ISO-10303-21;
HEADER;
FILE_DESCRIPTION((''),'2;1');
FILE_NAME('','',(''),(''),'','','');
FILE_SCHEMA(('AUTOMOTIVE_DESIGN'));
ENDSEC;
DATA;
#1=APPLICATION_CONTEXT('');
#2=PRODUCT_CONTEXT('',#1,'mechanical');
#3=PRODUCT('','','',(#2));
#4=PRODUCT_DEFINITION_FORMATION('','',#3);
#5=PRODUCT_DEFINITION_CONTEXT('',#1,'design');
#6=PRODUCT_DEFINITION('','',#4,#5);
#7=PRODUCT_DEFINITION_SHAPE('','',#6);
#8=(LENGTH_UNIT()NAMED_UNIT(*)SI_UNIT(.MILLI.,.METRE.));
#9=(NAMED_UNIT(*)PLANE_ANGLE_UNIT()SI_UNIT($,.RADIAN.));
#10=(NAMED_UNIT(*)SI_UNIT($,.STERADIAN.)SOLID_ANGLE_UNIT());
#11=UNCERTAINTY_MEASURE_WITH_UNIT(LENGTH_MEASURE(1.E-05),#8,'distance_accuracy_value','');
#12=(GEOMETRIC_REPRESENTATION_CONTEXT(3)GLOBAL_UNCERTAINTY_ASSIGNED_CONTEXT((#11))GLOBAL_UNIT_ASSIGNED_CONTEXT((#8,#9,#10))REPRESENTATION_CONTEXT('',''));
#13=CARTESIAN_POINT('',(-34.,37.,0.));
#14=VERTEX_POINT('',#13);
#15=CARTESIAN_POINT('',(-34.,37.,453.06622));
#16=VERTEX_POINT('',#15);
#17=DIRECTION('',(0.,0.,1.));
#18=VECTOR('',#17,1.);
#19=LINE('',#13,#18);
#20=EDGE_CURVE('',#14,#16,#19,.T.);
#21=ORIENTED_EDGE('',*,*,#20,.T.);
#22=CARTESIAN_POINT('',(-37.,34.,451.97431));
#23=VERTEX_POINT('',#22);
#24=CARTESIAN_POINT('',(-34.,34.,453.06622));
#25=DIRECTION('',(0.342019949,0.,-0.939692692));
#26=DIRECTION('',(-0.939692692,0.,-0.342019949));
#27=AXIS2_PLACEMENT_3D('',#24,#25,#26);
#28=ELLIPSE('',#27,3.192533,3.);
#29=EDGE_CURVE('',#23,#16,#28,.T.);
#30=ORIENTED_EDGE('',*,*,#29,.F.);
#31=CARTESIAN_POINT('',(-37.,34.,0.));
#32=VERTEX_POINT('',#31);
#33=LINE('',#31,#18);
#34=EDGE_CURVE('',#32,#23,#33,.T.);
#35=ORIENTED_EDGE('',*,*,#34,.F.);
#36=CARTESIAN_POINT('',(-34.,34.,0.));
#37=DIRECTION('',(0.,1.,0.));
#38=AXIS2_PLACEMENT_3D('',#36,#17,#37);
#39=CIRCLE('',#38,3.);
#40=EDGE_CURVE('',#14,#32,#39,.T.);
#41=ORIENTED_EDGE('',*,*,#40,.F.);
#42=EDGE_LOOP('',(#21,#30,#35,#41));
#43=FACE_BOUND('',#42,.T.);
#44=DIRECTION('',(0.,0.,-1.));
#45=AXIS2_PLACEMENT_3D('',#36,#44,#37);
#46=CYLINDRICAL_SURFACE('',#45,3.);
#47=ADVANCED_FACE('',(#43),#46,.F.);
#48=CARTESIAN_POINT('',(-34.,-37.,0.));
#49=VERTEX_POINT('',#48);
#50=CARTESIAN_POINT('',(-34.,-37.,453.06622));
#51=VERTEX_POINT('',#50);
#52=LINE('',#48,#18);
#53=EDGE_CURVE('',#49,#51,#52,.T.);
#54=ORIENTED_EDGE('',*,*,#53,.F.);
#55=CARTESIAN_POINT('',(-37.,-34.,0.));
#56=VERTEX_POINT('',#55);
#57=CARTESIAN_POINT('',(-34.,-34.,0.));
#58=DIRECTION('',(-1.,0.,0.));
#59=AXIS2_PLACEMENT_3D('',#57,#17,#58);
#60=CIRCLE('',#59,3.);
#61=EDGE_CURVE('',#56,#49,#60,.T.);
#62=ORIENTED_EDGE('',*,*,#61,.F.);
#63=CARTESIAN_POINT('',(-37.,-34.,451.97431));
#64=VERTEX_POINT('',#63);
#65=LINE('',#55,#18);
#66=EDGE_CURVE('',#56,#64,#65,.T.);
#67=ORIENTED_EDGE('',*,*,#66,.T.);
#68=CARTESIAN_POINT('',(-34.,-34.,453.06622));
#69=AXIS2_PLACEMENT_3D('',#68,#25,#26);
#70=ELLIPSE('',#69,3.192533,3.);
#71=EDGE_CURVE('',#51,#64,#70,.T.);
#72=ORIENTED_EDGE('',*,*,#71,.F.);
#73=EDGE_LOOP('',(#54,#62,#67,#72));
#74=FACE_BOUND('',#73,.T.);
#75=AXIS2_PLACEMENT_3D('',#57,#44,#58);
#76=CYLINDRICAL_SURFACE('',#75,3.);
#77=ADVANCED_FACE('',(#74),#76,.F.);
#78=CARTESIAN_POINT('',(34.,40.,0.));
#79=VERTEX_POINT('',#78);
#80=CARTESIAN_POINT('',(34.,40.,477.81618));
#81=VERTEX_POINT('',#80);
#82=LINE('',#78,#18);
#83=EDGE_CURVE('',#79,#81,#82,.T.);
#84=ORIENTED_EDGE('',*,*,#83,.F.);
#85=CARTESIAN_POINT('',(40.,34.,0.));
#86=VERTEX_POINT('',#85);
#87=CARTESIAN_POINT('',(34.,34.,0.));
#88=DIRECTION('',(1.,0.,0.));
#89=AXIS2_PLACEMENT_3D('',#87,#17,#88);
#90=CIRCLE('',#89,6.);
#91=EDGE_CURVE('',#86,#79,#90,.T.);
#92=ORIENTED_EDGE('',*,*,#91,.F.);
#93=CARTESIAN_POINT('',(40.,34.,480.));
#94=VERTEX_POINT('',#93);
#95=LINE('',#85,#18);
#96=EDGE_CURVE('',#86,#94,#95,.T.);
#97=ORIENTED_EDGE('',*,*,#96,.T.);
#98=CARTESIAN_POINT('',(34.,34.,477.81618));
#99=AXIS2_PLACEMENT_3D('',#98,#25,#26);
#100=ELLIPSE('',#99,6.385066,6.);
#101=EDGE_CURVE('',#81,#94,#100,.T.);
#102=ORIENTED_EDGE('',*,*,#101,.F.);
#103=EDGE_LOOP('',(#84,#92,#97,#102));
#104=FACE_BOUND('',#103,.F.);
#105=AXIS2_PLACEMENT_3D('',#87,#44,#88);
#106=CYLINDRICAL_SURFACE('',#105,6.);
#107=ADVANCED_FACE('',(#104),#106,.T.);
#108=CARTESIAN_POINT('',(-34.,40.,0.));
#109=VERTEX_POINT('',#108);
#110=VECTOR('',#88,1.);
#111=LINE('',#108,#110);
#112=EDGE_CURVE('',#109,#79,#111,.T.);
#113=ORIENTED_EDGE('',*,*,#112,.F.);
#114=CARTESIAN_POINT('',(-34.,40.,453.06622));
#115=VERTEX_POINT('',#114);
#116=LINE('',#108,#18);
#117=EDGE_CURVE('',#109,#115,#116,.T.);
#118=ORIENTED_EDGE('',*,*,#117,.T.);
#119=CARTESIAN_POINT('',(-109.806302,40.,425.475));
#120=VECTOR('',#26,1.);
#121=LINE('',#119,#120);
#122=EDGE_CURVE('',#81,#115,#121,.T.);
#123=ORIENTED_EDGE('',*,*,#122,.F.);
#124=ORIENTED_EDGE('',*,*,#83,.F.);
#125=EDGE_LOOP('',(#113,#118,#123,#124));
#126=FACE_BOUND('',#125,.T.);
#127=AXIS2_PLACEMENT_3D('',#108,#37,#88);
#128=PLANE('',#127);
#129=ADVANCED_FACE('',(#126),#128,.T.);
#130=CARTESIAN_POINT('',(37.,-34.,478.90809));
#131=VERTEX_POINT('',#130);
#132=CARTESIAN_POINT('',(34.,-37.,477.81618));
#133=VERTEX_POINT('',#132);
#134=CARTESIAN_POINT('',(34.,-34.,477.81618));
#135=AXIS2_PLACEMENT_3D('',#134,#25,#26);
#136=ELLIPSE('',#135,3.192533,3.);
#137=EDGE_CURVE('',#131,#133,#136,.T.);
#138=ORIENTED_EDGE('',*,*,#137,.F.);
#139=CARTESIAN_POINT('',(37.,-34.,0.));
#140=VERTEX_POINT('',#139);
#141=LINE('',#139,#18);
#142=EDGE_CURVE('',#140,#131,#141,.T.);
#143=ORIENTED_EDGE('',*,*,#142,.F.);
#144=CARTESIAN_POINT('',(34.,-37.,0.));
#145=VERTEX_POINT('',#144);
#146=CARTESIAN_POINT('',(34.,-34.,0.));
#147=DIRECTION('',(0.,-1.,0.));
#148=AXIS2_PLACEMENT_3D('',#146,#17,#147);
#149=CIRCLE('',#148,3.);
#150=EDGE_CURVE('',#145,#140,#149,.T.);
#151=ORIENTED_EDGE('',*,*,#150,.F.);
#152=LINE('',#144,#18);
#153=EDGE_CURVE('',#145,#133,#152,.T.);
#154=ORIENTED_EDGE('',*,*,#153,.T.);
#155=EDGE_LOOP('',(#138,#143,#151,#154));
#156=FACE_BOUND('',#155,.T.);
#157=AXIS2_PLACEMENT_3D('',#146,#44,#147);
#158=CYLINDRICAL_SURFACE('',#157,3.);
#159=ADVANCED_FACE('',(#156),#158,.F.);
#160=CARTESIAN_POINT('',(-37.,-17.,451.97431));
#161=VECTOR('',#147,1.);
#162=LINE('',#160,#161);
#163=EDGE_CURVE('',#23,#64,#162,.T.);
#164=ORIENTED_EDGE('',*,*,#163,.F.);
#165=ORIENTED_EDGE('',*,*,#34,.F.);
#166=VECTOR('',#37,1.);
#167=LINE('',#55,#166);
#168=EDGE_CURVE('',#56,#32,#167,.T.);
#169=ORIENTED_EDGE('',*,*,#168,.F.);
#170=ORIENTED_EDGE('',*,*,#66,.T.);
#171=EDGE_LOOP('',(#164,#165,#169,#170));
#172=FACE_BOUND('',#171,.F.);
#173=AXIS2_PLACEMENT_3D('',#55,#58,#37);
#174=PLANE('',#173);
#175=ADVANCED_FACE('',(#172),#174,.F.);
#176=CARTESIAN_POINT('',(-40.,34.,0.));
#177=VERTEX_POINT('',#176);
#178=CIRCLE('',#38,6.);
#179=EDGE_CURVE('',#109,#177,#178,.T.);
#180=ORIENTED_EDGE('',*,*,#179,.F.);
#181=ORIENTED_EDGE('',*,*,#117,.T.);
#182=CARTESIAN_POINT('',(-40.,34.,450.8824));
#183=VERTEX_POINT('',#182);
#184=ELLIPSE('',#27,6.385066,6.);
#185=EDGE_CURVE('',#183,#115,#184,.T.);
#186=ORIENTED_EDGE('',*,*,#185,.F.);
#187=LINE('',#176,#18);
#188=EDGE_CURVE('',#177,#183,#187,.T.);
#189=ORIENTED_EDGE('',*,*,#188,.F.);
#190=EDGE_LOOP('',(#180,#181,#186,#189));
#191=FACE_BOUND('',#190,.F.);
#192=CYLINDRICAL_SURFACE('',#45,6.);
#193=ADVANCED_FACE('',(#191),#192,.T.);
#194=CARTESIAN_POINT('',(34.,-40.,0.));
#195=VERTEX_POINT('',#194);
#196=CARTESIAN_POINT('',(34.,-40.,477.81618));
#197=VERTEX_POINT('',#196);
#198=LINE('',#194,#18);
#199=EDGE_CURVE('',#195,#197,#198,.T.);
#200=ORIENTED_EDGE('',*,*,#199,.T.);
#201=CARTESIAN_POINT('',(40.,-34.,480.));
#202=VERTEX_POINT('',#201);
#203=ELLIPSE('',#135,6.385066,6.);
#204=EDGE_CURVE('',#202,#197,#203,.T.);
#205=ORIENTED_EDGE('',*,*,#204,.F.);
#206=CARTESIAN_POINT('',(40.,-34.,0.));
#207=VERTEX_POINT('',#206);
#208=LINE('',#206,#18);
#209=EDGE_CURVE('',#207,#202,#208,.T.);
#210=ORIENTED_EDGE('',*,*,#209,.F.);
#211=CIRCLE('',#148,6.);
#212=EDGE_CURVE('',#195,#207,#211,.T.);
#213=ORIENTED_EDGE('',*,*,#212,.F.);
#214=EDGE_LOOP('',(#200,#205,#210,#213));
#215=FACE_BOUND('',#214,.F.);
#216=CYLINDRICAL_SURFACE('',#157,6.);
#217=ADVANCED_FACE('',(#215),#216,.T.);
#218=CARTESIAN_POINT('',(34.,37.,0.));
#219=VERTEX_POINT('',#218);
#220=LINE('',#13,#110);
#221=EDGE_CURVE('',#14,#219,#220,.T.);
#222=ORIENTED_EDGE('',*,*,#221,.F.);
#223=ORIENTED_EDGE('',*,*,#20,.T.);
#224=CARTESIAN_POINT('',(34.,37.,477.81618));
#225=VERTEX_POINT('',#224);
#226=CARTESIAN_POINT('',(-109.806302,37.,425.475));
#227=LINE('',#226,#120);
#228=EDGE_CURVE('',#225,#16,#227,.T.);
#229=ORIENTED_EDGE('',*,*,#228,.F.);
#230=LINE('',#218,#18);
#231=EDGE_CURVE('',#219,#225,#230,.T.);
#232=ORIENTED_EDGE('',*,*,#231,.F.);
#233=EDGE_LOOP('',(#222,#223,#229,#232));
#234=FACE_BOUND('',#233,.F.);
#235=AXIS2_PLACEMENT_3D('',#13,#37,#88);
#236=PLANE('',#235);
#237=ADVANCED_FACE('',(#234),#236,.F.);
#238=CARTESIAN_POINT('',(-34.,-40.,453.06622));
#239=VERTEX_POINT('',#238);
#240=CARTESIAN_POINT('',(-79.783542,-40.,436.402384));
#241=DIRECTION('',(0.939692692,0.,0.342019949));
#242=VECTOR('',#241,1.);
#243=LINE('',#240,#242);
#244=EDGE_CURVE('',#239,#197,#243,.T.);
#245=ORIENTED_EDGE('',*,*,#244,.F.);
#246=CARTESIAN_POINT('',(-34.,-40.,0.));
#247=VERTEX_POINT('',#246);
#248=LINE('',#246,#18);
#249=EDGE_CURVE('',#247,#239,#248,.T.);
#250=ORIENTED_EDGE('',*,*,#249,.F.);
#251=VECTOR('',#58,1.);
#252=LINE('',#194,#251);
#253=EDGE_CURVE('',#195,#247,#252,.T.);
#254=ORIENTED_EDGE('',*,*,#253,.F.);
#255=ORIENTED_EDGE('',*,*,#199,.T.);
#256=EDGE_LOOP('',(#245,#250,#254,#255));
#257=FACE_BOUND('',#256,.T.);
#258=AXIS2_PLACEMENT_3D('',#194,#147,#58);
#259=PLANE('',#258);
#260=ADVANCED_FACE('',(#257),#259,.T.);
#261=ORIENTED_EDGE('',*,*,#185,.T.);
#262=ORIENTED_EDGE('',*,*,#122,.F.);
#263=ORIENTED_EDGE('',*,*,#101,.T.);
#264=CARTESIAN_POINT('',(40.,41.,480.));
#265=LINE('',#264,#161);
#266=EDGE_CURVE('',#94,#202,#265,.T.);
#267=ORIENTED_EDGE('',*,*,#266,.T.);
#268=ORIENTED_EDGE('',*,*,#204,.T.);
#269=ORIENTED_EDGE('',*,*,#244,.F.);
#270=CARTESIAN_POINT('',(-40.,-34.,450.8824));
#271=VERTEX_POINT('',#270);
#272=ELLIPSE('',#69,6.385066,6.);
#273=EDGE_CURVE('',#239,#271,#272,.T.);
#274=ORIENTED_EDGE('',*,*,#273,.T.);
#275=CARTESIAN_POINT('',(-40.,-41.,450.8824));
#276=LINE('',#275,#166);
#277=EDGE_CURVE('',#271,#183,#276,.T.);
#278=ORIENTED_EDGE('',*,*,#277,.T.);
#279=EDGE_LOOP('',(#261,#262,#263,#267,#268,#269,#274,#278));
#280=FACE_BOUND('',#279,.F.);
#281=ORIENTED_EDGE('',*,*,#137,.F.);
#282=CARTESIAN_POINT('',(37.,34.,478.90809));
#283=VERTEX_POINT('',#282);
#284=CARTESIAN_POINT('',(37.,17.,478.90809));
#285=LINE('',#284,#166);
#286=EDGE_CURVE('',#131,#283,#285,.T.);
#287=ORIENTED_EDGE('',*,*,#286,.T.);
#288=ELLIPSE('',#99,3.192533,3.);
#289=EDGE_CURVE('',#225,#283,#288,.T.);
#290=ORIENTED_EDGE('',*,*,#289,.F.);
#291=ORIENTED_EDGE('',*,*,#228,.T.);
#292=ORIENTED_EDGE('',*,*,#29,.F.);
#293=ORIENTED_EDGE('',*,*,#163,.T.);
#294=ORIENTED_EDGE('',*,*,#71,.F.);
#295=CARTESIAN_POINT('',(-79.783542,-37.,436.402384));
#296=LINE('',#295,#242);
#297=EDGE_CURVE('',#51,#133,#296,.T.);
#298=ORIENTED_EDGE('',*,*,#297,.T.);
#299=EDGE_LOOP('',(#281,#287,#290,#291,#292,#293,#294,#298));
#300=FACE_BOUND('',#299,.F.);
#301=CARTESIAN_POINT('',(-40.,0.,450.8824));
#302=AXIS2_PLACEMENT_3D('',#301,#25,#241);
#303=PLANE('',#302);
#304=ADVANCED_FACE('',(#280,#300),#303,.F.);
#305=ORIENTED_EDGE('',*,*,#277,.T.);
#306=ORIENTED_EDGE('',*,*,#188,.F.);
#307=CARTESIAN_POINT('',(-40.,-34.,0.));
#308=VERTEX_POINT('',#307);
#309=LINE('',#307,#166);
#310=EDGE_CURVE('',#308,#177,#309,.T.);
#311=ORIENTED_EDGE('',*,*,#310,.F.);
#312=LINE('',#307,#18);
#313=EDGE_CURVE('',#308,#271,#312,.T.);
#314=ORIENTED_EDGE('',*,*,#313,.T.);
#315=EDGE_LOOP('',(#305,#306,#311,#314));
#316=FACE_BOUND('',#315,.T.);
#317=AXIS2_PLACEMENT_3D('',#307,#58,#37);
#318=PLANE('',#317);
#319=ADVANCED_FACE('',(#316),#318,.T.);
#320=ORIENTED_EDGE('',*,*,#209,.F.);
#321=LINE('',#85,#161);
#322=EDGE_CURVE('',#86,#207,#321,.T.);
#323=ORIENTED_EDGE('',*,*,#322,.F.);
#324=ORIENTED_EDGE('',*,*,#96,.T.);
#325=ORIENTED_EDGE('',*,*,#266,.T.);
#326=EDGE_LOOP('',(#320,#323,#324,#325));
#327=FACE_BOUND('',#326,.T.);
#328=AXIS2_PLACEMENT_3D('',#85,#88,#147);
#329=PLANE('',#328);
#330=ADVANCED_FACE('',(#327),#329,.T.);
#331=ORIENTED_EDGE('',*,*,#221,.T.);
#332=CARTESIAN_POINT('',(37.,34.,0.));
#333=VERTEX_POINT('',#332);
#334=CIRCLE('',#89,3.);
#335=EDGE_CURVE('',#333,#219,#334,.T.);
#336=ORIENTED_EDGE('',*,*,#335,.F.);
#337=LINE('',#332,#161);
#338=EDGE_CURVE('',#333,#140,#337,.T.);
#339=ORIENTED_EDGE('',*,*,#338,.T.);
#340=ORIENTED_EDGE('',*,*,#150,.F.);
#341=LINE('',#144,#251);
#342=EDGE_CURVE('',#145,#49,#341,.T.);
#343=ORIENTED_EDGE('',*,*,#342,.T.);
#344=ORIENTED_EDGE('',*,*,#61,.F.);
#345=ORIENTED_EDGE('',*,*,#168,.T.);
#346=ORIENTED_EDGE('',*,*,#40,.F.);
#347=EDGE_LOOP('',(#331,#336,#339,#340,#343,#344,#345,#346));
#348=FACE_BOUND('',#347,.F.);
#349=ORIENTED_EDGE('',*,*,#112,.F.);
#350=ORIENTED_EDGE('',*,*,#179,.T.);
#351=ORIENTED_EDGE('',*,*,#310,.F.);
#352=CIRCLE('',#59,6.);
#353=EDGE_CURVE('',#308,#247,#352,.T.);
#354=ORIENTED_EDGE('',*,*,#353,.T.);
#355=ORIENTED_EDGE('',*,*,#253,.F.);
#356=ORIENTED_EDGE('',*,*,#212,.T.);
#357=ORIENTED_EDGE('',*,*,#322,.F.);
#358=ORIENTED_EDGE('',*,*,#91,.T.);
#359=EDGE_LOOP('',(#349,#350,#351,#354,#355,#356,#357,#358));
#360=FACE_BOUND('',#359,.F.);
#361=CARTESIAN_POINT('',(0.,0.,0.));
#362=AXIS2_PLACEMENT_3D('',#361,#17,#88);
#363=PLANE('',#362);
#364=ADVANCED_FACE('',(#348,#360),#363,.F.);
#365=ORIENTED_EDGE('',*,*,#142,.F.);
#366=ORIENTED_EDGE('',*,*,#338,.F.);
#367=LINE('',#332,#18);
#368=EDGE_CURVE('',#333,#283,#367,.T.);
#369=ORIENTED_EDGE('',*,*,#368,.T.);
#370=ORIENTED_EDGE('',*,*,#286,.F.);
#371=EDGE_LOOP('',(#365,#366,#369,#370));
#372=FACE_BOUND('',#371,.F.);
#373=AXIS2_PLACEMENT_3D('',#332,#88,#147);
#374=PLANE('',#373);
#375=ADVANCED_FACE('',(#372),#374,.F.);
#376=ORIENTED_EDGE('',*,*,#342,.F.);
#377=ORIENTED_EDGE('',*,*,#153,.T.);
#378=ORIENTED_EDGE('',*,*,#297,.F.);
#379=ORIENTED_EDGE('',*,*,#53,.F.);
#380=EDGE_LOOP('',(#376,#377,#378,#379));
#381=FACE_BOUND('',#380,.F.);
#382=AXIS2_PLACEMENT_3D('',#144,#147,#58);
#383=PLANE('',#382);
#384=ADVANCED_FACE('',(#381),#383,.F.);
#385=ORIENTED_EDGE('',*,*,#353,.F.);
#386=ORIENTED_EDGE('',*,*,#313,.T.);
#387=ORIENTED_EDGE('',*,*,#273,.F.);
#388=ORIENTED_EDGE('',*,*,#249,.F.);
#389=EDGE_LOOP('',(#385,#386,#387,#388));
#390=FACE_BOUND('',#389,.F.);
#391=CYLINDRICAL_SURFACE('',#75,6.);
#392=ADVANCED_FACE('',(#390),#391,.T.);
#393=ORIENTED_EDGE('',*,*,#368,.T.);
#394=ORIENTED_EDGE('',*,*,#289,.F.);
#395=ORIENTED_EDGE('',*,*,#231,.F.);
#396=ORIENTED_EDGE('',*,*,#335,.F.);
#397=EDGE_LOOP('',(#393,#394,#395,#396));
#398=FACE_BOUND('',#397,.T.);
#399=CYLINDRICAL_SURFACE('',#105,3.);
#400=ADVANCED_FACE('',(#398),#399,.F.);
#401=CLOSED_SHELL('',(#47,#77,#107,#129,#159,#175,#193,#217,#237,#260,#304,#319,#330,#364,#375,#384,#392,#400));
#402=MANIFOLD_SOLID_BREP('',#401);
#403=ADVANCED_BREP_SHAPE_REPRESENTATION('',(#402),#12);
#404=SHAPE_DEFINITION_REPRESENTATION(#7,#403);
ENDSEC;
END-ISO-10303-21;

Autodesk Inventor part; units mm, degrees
ref_plane "YZ Plane" through (0, 0, 0) normal (1, 0, 0) x (0, 1, 0)
ref_plane "Start plane" through (0, 0, 0) normal (0, 0, 1) x (1, 0, 0)
ref_plane "End plane" through (0, 0, 1000) normal (0, 0, 1) x (1, 0, 0)
sketch "Sketch" plane through (0, 0, 0) normal (0, 0, 1) x (1, 0, 0)
  line L0 (-40, -34) -> (-40, 34)
  line L1 (-34, 40) -> (34, 40)
  line L2 (40, 34) -> (40, -34)
  line L3 (34, -40) -> (-34, -40)
  arc A0 (-40, -34) -> (-34, -40) centre (-34, -34) ccw
  arc A1 (40, 34) -> (34, 40) centre (34, 34) ccw
  arc A2 (-34, 40) -> (-40, 34) centre (-34, 34) ccw
  arc A3 (34, -40) -> (40, -34) centre (34, -34) ccw
  arc A4 (-34, 37) -> (-37, 34) centre (-34, 34) ccw
  line L4 (-34, 37) -> (34, 37)
  arc A5 (37, 34) -> (34, 37) centre (34, 34) ccw
  line L5 (37, 34) -> (37, -34)
  arc A6 (34, -37) -> (37, -34) centre (34, -34) ccw
  line L6 (34, -37) -> (-34, -37)
  arc A7 (-37, -34) -> (-34, -37) centre (-34, -34) ccw
  line L7 (-37, -34) -> (-37, 34)
  line L8 (0, 57.7397) -> (0, -57.7397) construction
  line L9 (-1453.6197, 0) -> (290.3864, 0) construction
  dimension "d7" = 6
  dimension "d9" = 80
  dimension "d11" = 80
  dimension "d12" = 3
  dimension "d15" = 40
  dimension "d16" = 40
extrude "Body" add sketch "Sketch" along normal up to surface (1000 mm away) from surface at 0
sketch "Sketch3" plane through (0, 0, 0) normal (0, 0, 1) x (1, 0, 0)
  line L0 (0, 0) -> (10, 0)
ref_plane "Work Plane3" through (0, 0, 0) normal (0, -1, 0) x (1, 0, 0)
sketch "Sketch5" plane through (0, 0, 0) normal (0, 1, 0) x (-1, 0, 0)
  line L0 (-40, 0) -> (-40, 1000) projected
  line L1 (40, 0) -> (40, 1000) projected
  line L2 (40, 0) -> (40, 1000) projected
  line L3 (40, 458.04) -> (415, 458.04) construction
  line L4 (-5.663, 479.3796) -> (835.663, 479.3796) construction
  arc A0 (-5.663, 479.3796) -> (415, 380) centre (415, 1320) ccw construction
  line L5 (-55, 559.2385) -> (885, 559.2385) construction
  arc A1 (-55, 559.2385) -> (-5.663, 479.3796) centre (34.3, 559.2385) ccw construction
  arc A2 (835.663, 479.3796) -> (885, 559.2385) centre (795.7, 559.2385) ccw
  line L6 (-55, 559.2385) -> (-55, 599.2385)
  line L7 (885, 559.2385) -> (885, 599.2385)
  line L8 (-55, 599.2385) -> (415, 599.2385) construction
  line L9 (415, 599.2385) -> (415, 0)
  arc A3 (415, 380) -> (835.663, 479.3796) centre (415, 1320) ccw
  line L10 (415, 599.2385) -> (885, 599.2385)
  point P0 (0, 0)
  dimension "d22" = 375
  dimension "d24" = 940
  dimension "d25" = 89.3
  dimension "d26" = 40
  dimension "d27" = 940
  dimension "d28" = 380
  dimension "d30" = 458.04
sketch "Sketch6" plane through (0, 0, 0) normal (0, 1, 0) x (-1, 0, 0)
  line L0 (40, 0) -> (40, 1000) projected
  line L1 (40, 0) -> (40, 1000) projected
  line L2 (-40, 0) -> (-40, 1000) projected
  line L3 (-40, 0) -> (-40, 1000) projected
  line L4 (34, 1000) -> (40, 1000) projected
  line L5 (40, 1000) -> (-40, 1000)
  arc A0 (-5.663, 479.3796) -> (415, 380) centre (415, 1320) ccw construction
  line L6 (40, 450.8824) -> (-40, 480)
  point P0 (0, 0)
  dimension "d34" = 110
  dimension "d36" = 480
extrude "Extrusion2" cut sketch "Sketch6" along normal through all both and the other way through all
sketch "Sketch4" plane through (0, 0, 0) normal (0, -1, 0) x (1, 0, 0)
  line L0 (-1453.3712, 0) -> (288.8952, 0) projected
  line L1 (-1453.3712, 1000) -> (288.8952, 1000) projected
  dimension "d18" = 1000
equation "\"d7\" = G_IR"
equation "\"d9\" = G_W"
equation "\"d11\" = G_H"
equation "\"d12\" = G_T"
equation "\"d15\" = 0.5 * d9"
equation "\"d16\" = 0.5 * d11"
equation "\"d3\" = G_L"
equation "\"d22\" = 0.5 * Diam_of_legs_center"
equation "\"d24\" = d27"
equation "\"d25\" = 0.095 * d27"
equation "\"d27\" = MAIN_filter_diam"
equation "\"G_W\" = 80"
equation "\"G_H\" = 80"
equation "\"G_T\" = 3"
equation "\"G_IR\" = 6"
equation "\"G_L\" = d18"
equation "\"G_OFFSET_START\" = 0"
equation "\"G_OFFSET_END\" = 0"
equation "\"MAIN_filter_diam\" = 940"
equation "\"Diam_of_legs_center\" = 750"
properties part number "PRS 9692 Leg tube" material "Steel, Mild"
